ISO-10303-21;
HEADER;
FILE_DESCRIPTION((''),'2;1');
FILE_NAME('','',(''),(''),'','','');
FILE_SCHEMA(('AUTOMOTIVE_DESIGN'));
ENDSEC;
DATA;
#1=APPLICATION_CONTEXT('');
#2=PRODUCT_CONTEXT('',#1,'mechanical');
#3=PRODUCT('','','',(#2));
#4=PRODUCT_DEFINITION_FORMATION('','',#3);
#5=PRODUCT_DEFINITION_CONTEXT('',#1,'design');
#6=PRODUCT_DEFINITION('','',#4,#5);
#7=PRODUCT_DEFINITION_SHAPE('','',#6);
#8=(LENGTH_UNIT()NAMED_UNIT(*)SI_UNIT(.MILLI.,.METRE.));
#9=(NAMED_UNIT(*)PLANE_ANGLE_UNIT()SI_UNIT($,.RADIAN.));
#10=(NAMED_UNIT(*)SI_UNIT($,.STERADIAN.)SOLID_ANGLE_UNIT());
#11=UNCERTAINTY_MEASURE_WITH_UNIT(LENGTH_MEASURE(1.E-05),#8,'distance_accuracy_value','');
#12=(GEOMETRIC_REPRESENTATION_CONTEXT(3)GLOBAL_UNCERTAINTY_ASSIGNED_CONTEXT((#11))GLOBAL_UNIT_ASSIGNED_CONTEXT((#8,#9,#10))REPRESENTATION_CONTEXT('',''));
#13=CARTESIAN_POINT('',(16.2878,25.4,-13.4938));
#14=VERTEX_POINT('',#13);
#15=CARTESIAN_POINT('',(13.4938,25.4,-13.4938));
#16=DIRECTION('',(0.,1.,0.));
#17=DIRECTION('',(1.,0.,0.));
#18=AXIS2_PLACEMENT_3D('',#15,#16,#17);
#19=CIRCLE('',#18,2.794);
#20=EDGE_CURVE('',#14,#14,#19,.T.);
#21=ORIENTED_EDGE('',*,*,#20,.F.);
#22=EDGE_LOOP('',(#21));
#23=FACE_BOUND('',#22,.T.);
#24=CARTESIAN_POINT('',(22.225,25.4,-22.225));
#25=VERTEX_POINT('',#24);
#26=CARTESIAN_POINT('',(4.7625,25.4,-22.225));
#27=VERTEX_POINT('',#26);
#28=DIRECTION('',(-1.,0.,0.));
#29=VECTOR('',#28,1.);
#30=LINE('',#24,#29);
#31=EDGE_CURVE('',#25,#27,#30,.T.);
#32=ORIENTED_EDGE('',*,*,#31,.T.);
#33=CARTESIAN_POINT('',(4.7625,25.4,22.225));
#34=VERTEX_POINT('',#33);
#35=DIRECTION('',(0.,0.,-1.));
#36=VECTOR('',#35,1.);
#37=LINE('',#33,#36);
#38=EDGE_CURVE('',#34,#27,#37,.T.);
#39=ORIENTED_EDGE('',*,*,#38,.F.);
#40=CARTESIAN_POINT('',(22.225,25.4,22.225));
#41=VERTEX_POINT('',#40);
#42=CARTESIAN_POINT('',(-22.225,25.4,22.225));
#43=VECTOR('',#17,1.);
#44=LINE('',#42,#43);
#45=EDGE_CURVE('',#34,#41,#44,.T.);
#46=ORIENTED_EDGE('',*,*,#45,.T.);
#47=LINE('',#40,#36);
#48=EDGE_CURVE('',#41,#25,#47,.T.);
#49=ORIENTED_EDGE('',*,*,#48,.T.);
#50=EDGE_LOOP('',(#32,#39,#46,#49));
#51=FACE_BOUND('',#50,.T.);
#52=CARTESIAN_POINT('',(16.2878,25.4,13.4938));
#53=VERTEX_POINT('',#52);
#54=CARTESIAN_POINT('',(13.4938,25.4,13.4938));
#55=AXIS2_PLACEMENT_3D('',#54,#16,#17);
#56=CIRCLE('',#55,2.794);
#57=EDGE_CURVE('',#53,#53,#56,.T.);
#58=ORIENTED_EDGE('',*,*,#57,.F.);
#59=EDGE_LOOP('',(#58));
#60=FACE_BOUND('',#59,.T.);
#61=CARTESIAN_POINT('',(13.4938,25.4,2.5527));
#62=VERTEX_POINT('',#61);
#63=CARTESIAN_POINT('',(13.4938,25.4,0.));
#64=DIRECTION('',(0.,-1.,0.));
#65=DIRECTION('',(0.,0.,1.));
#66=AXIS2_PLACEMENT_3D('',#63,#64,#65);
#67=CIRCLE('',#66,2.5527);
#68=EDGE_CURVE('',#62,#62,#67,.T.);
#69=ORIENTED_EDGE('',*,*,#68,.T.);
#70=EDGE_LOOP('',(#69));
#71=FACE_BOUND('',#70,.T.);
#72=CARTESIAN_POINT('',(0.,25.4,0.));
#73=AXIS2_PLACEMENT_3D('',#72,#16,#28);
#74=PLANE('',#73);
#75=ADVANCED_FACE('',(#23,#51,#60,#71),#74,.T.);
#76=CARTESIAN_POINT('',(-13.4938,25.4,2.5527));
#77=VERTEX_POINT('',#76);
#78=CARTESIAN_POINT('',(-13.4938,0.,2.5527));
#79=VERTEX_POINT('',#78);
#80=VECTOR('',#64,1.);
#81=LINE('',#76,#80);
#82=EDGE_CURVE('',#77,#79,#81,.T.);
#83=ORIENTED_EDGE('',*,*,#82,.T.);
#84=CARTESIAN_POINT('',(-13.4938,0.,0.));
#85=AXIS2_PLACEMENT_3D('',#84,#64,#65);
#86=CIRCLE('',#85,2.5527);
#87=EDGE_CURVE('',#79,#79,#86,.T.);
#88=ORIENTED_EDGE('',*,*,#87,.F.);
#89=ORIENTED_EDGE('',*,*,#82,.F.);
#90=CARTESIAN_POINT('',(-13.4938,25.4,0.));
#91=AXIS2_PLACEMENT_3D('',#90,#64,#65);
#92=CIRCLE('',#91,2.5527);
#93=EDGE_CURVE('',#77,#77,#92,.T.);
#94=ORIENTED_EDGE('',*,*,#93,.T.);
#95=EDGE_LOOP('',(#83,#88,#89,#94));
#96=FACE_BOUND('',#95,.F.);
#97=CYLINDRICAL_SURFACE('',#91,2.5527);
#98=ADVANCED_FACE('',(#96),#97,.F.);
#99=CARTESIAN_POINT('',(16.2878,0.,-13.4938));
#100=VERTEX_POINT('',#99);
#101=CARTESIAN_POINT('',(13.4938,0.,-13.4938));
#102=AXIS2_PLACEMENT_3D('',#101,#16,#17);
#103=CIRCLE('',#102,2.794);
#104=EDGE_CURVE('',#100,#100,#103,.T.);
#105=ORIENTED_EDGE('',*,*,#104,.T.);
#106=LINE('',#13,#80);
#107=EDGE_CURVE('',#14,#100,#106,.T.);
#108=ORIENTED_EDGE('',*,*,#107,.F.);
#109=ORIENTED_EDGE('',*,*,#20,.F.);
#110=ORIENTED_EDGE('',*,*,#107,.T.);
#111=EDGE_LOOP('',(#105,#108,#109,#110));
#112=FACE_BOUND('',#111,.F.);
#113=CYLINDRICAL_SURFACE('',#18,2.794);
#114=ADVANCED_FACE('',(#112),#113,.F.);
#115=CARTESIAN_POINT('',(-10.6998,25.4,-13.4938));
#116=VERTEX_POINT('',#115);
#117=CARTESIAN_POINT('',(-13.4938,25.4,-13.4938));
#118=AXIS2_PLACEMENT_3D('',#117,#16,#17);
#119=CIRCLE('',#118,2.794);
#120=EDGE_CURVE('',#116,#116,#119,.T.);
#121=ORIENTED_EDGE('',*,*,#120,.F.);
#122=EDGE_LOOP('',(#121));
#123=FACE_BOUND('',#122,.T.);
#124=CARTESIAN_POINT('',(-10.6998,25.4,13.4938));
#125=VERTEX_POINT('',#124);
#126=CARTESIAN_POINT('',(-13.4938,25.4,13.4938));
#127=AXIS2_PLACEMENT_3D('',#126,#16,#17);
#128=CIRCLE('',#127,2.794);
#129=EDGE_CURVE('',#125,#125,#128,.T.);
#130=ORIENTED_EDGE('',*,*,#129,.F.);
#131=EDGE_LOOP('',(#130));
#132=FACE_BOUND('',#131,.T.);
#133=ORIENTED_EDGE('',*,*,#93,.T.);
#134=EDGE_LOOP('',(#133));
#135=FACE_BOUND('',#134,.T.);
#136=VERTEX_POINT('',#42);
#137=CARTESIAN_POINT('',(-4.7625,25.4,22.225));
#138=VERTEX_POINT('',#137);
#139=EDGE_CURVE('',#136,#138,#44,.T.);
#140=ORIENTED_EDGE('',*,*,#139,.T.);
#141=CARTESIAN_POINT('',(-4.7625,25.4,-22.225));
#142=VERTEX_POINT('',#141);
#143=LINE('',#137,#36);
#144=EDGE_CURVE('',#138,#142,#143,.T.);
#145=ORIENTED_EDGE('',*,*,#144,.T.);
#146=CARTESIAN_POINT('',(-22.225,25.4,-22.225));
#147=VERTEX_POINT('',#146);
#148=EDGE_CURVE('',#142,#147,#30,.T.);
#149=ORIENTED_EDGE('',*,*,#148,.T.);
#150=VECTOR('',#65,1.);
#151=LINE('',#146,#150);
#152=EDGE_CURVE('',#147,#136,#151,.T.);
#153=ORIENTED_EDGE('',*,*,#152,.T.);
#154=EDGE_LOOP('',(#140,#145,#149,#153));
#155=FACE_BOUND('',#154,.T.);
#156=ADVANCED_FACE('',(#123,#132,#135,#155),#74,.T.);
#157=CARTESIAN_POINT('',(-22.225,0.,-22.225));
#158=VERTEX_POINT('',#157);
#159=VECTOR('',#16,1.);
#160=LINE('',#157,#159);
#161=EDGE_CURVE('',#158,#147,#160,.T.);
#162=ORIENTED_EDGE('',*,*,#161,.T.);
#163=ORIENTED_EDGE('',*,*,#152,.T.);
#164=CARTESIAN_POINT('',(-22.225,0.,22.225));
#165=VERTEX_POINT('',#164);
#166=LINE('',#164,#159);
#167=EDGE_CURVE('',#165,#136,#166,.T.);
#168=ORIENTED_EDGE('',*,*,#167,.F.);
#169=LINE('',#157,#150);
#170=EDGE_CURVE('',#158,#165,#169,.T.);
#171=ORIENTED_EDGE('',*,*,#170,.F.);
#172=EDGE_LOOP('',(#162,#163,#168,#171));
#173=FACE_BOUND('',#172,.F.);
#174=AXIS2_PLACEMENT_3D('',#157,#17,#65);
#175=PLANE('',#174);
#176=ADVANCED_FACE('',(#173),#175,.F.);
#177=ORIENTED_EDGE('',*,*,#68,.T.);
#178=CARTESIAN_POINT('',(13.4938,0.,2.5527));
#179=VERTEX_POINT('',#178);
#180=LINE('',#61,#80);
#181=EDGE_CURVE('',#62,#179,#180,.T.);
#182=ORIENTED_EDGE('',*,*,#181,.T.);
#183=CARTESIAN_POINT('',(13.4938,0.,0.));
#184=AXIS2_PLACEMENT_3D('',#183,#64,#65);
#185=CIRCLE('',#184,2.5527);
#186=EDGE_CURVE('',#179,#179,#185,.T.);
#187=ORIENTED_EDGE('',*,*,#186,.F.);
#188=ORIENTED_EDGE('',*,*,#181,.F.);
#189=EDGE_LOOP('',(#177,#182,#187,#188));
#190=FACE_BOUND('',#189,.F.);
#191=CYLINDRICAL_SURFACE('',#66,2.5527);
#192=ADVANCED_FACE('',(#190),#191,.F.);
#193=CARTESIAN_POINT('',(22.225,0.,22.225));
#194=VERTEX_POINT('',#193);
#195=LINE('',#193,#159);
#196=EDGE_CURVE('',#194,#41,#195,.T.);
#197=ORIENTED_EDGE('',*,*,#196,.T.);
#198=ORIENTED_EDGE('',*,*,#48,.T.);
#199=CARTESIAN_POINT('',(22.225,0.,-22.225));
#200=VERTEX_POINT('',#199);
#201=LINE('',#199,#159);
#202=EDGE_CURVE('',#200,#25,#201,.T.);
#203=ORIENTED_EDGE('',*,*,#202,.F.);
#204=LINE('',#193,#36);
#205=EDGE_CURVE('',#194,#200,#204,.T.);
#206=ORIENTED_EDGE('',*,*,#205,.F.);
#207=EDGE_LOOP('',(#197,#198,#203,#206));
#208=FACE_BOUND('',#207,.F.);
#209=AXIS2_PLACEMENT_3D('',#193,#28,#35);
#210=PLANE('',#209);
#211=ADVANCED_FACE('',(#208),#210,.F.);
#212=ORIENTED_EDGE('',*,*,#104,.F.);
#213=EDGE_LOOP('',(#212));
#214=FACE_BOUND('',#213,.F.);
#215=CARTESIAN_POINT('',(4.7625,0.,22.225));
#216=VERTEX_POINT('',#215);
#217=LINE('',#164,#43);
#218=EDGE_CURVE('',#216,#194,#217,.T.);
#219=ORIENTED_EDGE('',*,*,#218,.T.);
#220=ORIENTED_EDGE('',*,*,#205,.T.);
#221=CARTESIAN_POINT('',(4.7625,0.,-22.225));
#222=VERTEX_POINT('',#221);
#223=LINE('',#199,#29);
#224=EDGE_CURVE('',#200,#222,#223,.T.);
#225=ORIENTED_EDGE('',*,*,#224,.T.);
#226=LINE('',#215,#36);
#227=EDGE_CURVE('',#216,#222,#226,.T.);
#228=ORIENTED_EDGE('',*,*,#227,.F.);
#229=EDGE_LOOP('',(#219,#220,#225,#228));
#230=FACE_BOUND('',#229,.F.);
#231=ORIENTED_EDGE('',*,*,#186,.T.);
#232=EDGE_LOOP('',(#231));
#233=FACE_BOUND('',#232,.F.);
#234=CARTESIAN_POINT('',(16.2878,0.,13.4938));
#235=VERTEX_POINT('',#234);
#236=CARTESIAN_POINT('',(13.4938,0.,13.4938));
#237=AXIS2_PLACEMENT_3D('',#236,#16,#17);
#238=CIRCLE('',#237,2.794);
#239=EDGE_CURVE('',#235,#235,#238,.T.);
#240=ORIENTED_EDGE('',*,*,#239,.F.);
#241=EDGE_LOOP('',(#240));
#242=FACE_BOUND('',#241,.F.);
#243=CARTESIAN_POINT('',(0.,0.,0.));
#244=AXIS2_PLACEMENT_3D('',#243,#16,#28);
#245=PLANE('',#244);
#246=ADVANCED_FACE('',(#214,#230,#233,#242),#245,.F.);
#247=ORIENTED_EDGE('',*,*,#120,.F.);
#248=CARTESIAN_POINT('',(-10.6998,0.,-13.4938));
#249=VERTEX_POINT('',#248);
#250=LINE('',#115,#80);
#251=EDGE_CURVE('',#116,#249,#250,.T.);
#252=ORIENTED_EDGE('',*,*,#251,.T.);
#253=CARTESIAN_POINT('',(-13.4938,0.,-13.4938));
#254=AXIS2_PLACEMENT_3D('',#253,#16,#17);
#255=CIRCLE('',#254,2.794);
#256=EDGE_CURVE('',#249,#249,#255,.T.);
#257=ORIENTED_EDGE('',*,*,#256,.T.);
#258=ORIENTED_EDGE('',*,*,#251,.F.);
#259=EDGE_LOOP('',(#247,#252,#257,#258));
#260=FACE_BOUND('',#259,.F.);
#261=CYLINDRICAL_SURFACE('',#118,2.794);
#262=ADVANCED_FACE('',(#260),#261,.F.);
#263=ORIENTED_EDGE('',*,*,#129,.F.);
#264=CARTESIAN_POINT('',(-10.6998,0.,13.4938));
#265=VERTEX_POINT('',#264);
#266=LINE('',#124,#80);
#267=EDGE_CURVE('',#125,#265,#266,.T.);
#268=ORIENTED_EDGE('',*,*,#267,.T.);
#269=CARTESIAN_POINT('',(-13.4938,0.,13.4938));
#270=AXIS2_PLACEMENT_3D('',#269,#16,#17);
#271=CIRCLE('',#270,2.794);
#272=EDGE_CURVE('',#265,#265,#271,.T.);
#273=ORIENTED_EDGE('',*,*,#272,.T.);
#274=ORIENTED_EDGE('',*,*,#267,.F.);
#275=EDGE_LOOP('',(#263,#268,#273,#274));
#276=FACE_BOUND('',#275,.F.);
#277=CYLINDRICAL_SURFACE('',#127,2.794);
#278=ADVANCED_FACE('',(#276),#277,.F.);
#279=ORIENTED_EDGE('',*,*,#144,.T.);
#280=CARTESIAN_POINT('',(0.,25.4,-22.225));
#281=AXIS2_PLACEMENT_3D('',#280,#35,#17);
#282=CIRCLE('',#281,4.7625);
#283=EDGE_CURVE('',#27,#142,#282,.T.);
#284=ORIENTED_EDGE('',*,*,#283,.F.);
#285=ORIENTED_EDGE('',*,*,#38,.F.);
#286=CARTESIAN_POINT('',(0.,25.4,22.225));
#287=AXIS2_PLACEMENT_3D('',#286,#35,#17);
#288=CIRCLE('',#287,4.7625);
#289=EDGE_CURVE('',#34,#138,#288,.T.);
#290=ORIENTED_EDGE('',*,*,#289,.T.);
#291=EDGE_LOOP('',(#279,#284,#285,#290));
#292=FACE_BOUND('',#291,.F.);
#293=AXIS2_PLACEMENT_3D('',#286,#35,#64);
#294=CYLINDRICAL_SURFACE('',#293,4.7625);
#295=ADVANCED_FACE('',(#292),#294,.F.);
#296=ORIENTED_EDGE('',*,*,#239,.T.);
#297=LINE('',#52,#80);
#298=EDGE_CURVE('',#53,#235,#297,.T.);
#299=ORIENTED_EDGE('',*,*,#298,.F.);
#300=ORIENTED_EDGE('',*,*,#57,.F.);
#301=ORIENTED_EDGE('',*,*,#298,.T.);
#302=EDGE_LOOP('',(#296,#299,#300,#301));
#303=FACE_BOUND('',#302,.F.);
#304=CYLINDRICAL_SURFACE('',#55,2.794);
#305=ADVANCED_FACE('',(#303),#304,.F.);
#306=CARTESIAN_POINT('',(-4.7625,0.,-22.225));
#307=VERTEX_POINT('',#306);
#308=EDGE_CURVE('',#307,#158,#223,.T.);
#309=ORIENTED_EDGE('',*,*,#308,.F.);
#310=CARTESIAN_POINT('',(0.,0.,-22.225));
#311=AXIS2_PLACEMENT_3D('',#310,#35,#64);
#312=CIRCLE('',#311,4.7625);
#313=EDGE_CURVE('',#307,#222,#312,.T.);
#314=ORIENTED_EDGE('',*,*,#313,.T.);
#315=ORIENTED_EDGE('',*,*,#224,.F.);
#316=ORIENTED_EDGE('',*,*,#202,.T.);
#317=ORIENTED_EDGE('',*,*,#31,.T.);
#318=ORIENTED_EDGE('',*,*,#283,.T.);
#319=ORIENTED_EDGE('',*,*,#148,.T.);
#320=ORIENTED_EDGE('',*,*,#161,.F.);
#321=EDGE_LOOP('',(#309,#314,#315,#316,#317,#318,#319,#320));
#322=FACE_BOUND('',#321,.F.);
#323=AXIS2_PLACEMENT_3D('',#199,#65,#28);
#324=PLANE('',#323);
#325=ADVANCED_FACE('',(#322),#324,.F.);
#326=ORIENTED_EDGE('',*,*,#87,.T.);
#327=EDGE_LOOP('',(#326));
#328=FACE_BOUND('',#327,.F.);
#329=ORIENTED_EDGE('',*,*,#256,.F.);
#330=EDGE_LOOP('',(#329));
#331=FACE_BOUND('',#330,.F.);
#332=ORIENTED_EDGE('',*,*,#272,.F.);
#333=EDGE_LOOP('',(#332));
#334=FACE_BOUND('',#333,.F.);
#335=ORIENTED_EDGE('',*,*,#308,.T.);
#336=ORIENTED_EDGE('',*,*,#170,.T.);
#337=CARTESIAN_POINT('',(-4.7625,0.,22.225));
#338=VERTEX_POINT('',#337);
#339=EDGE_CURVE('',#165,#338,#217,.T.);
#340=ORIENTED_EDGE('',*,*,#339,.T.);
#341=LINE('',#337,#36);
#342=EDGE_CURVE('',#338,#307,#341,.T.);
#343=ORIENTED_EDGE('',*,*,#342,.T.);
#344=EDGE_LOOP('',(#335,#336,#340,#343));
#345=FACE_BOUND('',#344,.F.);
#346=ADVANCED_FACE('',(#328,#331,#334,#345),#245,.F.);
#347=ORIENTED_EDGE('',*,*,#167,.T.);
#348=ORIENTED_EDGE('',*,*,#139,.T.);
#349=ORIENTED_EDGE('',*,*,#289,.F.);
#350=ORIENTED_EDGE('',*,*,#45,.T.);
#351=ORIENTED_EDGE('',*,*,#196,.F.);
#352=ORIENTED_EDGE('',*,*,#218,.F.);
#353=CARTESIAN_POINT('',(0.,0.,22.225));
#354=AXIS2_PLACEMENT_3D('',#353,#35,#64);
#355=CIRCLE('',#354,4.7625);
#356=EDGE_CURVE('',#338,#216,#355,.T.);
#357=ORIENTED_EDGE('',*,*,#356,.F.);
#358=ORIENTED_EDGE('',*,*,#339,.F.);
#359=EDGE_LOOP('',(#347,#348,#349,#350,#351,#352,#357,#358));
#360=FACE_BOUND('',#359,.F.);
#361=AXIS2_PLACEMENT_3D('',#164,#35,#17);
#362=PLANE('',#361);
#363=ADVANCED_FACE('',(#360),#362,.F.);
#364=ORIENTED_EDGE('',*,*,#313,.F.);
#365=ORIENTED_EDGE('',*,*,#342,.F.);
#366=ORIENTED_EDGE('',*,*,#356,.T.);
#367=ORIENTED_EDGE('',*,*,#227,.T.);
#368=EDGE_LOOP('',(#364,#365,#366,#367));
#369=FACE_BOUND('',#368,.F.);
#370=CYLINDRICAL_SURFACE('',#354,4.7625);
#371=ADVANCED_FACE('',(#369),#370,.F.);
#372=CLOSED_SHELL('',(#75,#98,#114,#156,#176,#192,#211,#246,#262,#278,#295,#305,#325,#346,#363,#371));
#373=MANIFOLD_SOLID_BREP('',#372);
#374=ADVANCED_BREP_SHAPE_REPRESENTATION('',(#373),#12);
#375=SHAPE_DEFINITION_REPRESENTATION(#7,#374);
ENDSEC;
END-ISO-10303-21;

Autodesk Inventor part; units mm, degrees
ref_plane "YZ Plane" through (0, 0, 0) normal (1, 0, 0) x (0, 1, 0)
ref_plane "XZ Plane" through (0, 0, 0) normal (0, 1, 0) x (-1, 0, 0)
ref_plane "XY Plane" through (0, 0, 0) normal (0, 0, 1) x (1, 0, 0)
sketch "Sketch1" plane through (0, 0, 0) normal (0, 1, 0) x (-1, 0, 0)
  line L0 (-22.225, 22.225) -> (-22.225, -22.225)
  line L1 (-22.225, -22.225) -> (22.225, -22.225)
  line L2 (22.225, -22.225) -> (22.225, 22.225)
  line L3 (22.225, 22.225) -> (-22.225, 22.225)
  line L4 (-22.225, 22.225) -> (22.225, -22.225) construction
  line L5 (-22.225, -22.225) -> (22.225, 22.225) construction
  point P0 (0, 0)
  dimension "d4" = 44.45
extrude "Extrusion1" add sketch "Sketch1" along normal blind 25.4
sketch "Sketch3" plane through (-22.225, 0, 22.225) normal (0, 0, 1) x (1, 0, 0)
  line L0 (44.45, 25.4) -> (0, 25.4) construction
  point P0 (22.225, 0)
  point P1 (22.225, 25.4)
  point P2 (22.225, 0)
hole "Hole1" at (0, 25.4, 22.225) at (0, 0, 22.225) direction (0, 0, -1) diameter 9.525 end through all
sketch "Sketch4" plane through (0, 25.4, 0) normal (0, 1, 0) x (1, 0, 0)
  line L0 (-22.225, 22.225) -> (-22.225, -22.225) projected
  line L1 (22.225, -22.225) -> (22.225, 22.225) projected
  line L2 (-22.225, -22.225) -> (-4.7625, -22.225) projected
  line L3 (4.7625, -22.225) -> (22.225, -22.225) projected
  point P0 (0, 0)
  point P1 (-13.4938, 0)
  point P2 (13.4938, 0)
  dimension "d16" = 8.7312
  dimension "d17" = 8.7312
  dimension "d25" = 22.225
  dimension "d26" = 22.225
hole "Hole2" at (-13.4938, 25.4, 0) at (13.4938, 25.4, 0) direction (0, -1, 0) diameter 5.1054 end through all clearance for "Flat Head Machine Screw (82)" size "#10" standard "Ansi Unified Screw Threads"
sketch "Sketch5" plane through (0, 25.4, 0) normal (0, 1, 0) x (1, 0, 0)
  line L0 (-13.4938, -13.4938) -> (13.4938, -13.4938) construction
  line L1 (13.4938, -13.4938) -> (13.4938, 13.4938) construction
  line L2 (13.4938, 13.4938) -> (-13.4938, 13.4938) construction
  line L3 (-13.4938, 13.4938) -> (-13.4938, -13.4938) construction
  line L4 (-13.4938, -13.4938) -> (13.4938, 13.4938) construction
  line L5 (13.4938, -13.4938) -> (-13.4938, 13.4938) construction
  line L6 (-22.225, -22.225) -> (-4.7625, -22.225) projected
  line L7 (-22.225, 22.225) -> (-22.225, -22.225) projected
  circle A0 centre (-13.4938, -13.4938) radius 2.794
  circle A1 centre (13.4938, -13.4938) radius 2.794
  circle A2 centre (13.4938, 13.4938) radius 2.794
  circle A3 centre (-13.4938, 13.4938) radius 2.794
  point P0 (0, 0)
  dimension "d27" = 8.7312
  dimension "d28" = 8.7312
  dimension "d29" = 5.588
extrude "Extrusion2" cut sketch "Sketch5" against normal through all
equation "\"d4\" = baseWidth"
equation "\"d6\" = heightOfMiddleSection"
equation "\"d9\" = bottomHoleDiam"
equation "\"d16\" = edgeToBoltHole"
equation "\"d17\" = edgeToBoltHole"
equation "\"d25\" = 0.5 * baseWidth"
equation "\"d26\" = 0.5 * baseWidth"
equation "\"d27\" = edgeToBoltHole"
equation "\"d28\" = edgeToBoltHole"
equation "\"d29\" = supportHoleDiam"
equation "\"bottomHoleDiam\" = 9.525"
equation "\"baseWidth\" = 44.45"
equation "\"deltaBottomToTop\" = 27.94"
equation "\"d0\" = baseWidth"
equation "\"d1\" = heightOfBottomHole"
equation "\"d2\" = 0"
equation "\"d3\" = bottomHoleDiam"
equation "\"d5\" = 0"
equation "\"height\" = deltaBottomToTop + heightOfBottomHole + heightOfTopHole"
equation "\"topHoleDiam\" = 9.525"
equation "\"edgeToBoltHole\" = -0.25 * bottomHoleDiam + 0.25 * baseWidth"
equation "\"heightOfMiddleSection\" = 25.4"
equation "\"baseLength\" = 44.45"
equation "\"supportHoleDiam\" = 5.588"
equation "\"heightOfBottomHole\" = 11.1125"
equation "\"heightOfTopHole\" = 11.1125"
properties part number "MiddleOfSquareSupport" material "PC/ABS Plastic"
